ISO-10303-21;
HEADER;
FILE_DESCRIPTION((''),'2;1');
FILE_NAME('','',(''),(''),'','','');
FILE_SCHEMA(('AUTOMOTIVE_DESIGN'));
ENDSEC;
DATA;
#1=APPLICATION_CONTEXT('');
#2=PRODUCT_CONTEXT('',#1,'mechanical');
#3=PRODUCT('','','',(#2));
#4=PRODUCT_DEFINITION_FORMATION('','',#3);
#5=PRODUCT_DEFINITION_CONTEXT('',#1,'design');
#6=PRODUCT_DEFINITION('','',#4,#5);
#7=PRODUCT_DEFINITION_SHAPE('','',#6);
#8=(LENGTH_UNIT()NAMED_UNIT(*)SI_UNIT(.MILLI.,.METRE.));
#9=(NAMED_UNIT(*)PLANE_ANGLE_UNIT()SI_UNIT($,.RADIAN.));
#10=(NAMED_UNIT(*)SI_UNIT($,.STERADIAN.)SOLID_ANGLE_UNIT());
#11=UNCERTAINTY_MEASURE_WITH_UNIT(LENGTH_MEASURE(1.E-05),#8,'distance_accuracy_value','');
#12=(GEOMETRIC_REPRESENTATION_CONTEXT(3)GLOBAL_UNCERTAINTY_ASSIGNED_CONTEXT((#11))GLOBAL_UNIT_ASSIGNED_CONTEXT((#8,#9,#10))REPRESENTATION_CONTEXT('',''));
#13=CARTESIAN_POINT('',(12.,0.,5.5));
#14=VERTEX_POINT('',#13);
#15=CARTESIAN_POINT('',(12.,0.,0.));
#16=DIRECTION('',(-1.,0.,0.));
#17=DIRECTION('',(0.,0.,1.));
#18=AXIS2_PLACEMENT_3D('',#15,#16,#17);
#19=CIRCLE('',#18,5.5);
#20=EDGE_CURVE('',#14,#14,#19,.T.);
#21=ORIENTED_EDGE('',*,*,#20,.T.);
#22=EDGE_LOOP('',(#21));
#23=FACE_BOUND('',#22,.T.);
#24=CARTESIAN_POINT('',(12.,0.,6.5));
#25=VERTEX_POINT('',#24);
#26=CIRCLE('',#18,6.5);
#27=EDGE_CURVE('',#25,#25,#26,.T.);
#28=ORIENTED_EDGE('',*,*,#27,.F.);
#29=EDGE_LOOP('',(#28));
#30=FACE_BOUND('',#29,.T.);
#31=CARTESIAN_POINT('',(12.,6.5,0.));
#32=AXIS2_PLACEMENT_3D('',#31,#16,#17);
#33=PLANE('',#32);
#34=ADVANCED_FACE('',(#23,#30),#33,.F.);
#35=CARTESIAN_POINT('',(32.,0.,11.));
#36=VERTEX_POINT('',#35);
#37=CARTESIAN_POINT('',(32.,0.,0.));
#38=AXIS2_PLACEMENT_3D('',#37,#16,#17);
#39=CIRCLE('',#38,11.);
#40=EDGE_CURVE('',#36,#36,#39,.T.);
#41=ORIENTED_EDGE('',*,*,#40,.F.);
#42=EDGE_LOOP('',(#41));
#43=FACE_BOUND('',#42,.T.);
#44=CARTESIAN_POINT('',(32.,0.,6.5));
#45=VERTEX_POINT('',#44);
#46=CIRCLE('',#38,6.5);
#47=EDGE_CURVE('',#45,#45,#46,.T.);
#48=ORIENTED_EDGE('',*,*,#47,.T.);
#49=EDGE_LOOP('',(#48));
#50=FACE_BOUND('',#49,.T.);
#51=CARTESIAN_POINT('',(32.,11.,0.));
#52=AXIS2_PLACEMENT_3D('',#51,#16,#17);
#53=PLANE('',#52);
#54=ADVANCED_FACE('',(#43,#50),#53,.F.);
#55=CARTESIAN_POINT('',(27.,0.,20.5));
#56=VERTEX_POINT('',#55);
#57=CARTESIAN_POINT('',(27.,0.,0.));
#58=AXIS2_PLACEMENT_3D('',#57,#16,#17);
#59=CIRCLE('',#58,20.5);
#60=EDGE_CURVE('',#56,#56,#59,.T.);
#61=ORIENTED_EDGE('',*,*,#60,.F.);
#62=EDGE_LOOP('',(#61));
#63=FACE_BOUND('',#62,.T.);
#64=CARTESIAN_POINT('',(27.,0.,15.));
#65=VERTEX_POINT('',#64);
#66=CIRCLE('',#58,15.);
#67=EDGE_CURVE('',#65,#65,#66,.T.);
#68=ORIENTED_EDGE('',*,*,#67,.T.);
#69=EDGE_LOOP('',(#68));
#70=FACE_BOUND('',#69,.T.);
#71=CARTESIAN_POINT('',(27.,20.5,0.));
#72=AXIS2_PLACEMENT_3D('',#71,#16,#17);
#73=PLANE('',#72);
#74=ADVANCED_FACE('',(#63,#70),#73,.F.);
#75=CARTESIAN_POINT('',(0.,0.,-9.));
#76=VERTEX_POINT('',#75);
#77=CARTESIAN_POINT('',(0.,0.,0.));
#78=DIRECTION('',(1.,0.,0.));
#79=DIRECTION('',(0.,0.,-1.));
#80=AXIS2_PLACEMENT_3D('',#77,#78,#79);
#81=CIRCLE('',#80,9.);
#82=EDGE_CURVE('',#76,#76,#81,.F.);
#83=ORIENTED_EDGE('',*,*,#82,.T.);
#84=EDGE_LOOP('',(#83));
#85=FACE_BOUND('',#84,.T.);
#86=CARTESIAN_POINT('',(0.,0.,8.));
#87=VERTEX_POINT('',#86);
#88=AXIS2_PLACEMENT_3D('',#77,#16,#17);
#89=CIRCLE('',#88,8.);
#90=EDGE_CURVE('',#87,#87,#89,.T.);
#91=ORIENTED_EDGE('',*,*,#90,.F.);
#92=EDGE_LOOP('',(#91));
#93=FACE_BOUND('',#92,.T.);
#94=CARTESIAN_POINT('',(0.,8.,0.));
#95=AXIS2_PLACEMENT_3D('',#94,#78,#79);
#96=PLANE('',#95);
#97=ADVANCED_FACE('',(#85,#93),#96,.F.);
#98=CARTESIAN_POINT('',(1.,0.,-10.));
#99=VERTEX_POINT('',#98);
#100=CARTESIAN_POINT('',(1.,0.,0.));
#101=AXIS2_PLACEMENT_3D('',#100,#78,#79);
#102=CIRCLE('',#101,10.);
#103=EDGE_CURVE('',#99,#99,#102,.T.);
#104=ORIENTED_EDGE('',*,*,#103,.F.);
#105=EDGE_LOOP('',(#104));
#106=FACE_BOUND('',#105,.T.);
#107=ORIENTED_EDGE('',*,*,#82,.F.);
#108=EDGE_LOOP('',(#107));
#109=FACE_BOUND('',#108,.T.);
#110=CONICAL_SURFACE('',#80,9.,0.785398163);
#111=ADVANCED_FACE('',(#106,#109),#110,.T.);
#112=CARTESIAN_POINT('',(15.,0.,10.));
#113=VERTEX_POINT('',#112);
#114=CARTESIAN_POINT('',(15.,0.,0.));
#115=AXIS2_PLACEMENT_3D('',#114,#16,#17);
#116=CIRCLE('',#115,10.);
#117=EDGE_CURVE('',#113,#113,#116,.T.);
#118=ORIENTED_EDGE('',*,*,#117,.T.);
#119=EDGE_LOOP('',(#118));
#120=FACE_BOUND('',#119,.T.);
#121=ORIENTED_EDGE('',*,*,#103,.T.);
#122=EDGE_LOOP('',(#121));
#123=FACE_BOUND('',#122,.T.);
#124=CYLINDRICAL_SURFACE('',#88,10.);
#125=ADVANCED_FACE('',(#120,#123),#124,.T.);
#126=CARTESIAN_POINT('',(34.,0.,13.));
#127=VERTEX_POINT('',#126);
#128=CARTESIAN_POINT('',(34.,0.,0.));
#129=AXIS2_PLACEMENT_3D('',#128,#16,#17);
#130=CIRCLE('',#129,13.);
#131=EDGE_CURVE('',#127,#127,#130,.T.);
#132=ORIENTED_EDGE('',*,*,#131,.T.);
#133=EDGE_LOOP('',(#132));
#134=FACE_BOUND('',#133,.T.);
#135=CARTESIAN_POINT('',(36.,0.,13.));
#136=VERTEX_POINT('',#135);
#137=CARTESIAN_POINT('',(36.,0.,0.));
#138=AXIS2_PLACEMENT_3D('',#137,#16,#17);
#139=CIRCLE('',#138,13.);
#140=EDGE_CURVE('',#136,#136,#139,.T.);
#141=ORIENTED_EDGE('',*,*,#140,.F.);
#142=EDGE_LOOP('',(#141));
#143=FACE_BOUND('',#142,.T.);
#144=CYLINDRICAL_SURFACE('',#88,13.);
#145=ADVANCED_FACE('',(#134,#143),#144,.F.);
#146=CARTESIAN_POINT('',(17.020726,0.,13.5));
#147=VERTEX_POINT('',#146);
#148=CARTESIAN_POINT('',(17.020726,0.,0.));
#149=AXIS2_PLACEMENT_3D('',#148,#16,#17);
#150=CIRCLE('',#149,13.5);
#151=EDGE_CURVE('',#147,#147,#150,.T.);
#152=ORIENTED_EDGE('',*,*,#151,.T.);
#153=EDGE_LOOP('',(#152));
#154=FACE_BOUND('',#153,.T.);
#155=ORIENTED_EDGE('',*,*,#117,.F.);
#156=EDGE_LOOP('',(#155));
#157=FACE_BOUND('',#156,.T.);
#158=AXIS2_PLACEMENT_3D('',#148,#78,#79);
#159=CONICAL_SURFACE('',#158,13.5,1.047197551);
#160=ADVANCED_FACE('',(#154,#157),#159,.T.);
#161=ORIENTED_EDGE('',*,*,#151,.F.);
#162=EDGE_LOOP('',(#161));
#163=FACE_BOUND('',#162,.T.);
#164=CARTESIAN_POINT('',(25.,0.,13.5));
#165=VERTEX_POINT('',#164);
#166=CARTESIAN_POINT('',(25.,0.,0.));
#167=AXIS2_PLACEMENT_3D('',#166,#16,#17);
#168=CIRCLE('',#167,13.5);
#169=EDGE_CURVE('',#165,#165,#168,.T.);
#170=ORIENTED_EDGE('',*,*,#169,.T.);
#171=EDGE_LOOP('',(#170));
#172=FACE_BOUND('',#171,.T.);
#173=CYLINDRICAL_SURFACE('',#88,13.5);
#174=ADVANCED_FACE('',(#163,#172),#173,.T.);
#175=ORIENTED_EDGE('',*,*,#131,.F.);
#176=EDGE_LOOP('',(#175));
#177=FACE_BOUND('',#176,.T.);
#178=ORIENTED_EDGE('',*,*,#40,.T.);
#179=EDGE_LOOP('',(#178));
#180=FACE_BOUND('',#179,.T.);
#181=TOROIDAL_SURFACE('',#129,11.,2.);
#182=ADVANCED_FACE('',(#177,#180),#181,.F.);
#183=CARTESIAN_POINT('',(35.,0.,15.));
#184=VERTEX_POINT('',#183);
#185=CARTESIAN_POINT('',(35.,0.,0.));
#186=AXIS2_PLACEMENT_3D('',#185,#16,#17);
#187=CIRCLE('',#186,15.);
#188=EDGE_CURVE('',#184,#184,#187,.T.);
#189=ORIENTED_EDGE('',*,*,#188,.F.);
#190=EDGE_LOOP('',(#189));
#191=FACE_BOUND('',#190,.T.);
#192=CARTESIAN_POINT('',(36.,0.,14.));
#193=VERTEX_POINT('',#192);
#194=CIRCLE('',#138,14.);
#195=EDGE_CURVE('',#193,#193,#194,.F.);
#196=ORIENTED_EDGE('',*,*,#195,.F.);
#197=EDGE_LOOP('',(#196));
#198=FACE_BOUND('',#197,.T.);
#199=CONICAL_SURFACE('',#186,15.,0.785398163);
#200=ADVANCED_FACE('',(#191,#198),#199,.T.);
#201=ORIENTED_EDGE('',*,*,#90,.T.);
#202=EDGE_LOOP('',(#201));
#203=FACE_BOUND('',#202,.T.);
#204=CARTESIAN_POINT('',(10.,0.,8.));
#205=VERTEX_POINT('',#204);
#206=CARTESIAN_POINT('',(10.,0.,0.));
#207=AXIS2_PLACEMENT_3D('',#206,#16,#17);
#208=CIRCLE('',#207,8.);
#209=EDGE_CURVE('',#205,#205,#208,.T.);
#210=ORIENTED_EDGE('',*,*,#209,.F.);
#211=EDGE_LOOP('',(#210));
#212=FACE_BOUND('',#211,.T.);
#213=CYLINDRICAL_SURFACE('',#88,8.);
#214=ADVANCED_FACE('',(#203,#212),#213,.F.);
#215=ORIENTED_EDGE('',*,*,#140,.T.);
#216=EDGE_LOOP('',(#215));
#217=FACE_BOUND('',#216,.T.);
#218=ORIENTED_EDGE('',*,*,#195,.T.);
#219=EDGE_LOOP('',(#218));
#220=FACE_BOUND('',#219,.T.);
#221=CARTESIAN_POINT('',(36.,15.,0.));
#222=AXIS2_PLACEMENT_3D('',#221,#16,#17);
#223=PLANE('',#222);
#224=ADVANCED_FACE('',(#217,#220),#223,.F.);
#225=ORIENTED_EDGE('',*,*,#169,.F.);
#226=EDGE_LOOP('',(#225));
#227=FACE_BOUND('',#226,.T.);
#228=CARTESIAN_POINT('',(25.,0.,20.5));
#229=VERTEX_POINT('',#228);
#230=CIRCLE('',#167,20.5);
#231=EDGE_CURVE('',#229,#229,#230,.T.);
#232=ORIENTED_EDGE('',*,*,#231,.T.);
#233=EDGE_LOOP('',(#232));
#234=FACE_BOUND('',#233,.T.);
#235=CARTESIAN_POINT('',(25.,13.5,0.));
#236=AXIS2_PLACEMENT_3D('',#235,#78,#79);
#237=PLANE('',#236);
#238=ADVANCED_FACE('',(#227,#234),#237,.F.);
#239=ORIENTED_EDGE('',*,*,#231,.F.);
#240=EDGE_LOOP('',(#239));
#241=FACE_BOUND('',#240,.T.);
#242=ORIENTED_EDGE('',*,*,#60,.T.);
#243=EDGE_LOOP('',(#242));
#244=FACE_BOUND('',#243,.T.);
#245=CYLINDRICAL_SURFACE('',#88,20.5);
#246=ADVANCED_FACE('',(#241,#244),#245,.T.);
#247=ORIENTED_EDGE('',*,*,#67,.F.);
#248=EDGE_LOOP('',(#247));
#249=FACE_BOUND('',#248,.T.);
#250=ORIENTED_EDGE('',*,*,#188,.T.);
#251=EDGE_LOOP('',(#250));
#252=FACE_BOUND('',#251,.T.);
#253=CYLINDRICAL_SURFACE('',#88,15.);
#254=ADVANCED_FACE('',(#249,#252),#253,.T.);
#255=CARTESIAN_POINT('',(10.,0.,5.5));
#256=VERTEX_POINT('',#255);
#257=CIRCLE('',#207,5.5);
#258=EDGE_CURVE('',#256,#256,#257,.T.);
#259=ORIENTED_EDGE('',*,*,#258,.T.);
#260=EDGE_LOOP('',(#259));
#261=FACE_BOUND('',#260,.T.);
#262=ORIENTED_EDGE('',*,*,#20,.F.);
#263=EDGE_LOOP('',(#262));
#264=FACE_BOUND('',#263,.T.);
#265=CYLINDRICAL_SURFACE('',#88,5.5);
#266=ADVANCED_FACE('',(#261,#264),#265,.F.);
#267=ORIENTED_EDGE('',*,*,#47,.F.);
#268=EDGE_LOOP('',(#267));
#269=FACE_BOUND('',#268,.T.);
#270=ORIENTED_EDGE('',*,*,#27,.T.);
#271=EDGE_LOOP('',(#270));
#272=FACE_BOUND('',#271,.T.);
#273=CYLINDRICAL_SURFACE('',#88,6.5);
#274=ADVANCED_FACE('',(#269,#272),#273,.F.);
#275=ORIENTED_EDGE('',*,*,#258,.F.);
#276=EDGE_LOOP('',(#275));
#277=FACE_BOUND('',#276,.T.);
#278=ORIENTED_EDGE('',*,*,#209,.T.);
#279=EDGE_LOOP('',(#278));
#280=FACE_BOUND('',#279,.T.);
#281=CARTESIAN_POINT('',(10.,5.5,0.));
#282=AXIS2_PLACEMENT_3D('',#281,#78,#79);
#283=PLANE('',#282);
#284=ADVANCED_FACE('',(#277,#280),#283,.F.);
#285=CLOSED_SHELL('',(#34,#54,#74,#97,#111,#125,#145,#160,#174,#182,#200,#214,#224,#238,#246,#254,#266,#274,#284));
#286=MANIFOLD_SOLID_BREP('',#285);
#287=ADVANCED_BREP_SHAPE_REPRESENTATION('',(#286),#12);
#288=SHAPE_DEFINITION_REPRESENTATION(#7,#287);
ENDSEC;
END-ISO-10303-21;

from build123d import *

# Parameters (mm, degrees)
CHAMFER1_SIZE = 1


with BuildPart() as part:
    # Sketch2 → Revolve1 (revolve)
    with BuildSketch(Plane.XY, mode=Mode.PRIVATE) as revolve1_sk:
        with BuildLine():
            Line((0, 8), (0, 10))
            Line((0, 10), (15, 10))
            Line((15, 10), (17.020725942, 13.5))
            Line((17.020725942, 13.5), (25, 13.5))
            Line((25, 13.5), (25, 20.5))
            Line((25, 20.5), (27, 20.5))
            Line((27, 20.5), (27, 15))
            Line((27, 15), (36, 15))
            Line((36, 15), (36, 13))
            Line((36, 13), (34, 13))
            ThreePointArc((34, 13), (32.585786438, 12.414213562), (32, 11))
            Line((32, 11), (32, 6.5))
            Line((32, 6.5), (12, 6.5))
            Line((12, 6.5), (12, 5.5))
            Line((12, 5.5), (10, 5.5))
            Line((10, 5.5), (10, 8))
            Line((10, 8), (0, 8))
        make_face()
    revolve(revolve1_sk.sketch.rotate(Axis((0, 0, 0), (1, 0, 0)), 90), axis=Axis((0, 0, 0), (1, 0, 0)))

    # Chamfer1
    chamfer1_edges = [part.edges().sort_by_distance(p)[0] for p in [
        (0, 0, -10),
        (36, 0, -15),
    ]]
    chamfer(chamfer1_edges, length=CHAMFER1_SIZE)


solid = part.part
